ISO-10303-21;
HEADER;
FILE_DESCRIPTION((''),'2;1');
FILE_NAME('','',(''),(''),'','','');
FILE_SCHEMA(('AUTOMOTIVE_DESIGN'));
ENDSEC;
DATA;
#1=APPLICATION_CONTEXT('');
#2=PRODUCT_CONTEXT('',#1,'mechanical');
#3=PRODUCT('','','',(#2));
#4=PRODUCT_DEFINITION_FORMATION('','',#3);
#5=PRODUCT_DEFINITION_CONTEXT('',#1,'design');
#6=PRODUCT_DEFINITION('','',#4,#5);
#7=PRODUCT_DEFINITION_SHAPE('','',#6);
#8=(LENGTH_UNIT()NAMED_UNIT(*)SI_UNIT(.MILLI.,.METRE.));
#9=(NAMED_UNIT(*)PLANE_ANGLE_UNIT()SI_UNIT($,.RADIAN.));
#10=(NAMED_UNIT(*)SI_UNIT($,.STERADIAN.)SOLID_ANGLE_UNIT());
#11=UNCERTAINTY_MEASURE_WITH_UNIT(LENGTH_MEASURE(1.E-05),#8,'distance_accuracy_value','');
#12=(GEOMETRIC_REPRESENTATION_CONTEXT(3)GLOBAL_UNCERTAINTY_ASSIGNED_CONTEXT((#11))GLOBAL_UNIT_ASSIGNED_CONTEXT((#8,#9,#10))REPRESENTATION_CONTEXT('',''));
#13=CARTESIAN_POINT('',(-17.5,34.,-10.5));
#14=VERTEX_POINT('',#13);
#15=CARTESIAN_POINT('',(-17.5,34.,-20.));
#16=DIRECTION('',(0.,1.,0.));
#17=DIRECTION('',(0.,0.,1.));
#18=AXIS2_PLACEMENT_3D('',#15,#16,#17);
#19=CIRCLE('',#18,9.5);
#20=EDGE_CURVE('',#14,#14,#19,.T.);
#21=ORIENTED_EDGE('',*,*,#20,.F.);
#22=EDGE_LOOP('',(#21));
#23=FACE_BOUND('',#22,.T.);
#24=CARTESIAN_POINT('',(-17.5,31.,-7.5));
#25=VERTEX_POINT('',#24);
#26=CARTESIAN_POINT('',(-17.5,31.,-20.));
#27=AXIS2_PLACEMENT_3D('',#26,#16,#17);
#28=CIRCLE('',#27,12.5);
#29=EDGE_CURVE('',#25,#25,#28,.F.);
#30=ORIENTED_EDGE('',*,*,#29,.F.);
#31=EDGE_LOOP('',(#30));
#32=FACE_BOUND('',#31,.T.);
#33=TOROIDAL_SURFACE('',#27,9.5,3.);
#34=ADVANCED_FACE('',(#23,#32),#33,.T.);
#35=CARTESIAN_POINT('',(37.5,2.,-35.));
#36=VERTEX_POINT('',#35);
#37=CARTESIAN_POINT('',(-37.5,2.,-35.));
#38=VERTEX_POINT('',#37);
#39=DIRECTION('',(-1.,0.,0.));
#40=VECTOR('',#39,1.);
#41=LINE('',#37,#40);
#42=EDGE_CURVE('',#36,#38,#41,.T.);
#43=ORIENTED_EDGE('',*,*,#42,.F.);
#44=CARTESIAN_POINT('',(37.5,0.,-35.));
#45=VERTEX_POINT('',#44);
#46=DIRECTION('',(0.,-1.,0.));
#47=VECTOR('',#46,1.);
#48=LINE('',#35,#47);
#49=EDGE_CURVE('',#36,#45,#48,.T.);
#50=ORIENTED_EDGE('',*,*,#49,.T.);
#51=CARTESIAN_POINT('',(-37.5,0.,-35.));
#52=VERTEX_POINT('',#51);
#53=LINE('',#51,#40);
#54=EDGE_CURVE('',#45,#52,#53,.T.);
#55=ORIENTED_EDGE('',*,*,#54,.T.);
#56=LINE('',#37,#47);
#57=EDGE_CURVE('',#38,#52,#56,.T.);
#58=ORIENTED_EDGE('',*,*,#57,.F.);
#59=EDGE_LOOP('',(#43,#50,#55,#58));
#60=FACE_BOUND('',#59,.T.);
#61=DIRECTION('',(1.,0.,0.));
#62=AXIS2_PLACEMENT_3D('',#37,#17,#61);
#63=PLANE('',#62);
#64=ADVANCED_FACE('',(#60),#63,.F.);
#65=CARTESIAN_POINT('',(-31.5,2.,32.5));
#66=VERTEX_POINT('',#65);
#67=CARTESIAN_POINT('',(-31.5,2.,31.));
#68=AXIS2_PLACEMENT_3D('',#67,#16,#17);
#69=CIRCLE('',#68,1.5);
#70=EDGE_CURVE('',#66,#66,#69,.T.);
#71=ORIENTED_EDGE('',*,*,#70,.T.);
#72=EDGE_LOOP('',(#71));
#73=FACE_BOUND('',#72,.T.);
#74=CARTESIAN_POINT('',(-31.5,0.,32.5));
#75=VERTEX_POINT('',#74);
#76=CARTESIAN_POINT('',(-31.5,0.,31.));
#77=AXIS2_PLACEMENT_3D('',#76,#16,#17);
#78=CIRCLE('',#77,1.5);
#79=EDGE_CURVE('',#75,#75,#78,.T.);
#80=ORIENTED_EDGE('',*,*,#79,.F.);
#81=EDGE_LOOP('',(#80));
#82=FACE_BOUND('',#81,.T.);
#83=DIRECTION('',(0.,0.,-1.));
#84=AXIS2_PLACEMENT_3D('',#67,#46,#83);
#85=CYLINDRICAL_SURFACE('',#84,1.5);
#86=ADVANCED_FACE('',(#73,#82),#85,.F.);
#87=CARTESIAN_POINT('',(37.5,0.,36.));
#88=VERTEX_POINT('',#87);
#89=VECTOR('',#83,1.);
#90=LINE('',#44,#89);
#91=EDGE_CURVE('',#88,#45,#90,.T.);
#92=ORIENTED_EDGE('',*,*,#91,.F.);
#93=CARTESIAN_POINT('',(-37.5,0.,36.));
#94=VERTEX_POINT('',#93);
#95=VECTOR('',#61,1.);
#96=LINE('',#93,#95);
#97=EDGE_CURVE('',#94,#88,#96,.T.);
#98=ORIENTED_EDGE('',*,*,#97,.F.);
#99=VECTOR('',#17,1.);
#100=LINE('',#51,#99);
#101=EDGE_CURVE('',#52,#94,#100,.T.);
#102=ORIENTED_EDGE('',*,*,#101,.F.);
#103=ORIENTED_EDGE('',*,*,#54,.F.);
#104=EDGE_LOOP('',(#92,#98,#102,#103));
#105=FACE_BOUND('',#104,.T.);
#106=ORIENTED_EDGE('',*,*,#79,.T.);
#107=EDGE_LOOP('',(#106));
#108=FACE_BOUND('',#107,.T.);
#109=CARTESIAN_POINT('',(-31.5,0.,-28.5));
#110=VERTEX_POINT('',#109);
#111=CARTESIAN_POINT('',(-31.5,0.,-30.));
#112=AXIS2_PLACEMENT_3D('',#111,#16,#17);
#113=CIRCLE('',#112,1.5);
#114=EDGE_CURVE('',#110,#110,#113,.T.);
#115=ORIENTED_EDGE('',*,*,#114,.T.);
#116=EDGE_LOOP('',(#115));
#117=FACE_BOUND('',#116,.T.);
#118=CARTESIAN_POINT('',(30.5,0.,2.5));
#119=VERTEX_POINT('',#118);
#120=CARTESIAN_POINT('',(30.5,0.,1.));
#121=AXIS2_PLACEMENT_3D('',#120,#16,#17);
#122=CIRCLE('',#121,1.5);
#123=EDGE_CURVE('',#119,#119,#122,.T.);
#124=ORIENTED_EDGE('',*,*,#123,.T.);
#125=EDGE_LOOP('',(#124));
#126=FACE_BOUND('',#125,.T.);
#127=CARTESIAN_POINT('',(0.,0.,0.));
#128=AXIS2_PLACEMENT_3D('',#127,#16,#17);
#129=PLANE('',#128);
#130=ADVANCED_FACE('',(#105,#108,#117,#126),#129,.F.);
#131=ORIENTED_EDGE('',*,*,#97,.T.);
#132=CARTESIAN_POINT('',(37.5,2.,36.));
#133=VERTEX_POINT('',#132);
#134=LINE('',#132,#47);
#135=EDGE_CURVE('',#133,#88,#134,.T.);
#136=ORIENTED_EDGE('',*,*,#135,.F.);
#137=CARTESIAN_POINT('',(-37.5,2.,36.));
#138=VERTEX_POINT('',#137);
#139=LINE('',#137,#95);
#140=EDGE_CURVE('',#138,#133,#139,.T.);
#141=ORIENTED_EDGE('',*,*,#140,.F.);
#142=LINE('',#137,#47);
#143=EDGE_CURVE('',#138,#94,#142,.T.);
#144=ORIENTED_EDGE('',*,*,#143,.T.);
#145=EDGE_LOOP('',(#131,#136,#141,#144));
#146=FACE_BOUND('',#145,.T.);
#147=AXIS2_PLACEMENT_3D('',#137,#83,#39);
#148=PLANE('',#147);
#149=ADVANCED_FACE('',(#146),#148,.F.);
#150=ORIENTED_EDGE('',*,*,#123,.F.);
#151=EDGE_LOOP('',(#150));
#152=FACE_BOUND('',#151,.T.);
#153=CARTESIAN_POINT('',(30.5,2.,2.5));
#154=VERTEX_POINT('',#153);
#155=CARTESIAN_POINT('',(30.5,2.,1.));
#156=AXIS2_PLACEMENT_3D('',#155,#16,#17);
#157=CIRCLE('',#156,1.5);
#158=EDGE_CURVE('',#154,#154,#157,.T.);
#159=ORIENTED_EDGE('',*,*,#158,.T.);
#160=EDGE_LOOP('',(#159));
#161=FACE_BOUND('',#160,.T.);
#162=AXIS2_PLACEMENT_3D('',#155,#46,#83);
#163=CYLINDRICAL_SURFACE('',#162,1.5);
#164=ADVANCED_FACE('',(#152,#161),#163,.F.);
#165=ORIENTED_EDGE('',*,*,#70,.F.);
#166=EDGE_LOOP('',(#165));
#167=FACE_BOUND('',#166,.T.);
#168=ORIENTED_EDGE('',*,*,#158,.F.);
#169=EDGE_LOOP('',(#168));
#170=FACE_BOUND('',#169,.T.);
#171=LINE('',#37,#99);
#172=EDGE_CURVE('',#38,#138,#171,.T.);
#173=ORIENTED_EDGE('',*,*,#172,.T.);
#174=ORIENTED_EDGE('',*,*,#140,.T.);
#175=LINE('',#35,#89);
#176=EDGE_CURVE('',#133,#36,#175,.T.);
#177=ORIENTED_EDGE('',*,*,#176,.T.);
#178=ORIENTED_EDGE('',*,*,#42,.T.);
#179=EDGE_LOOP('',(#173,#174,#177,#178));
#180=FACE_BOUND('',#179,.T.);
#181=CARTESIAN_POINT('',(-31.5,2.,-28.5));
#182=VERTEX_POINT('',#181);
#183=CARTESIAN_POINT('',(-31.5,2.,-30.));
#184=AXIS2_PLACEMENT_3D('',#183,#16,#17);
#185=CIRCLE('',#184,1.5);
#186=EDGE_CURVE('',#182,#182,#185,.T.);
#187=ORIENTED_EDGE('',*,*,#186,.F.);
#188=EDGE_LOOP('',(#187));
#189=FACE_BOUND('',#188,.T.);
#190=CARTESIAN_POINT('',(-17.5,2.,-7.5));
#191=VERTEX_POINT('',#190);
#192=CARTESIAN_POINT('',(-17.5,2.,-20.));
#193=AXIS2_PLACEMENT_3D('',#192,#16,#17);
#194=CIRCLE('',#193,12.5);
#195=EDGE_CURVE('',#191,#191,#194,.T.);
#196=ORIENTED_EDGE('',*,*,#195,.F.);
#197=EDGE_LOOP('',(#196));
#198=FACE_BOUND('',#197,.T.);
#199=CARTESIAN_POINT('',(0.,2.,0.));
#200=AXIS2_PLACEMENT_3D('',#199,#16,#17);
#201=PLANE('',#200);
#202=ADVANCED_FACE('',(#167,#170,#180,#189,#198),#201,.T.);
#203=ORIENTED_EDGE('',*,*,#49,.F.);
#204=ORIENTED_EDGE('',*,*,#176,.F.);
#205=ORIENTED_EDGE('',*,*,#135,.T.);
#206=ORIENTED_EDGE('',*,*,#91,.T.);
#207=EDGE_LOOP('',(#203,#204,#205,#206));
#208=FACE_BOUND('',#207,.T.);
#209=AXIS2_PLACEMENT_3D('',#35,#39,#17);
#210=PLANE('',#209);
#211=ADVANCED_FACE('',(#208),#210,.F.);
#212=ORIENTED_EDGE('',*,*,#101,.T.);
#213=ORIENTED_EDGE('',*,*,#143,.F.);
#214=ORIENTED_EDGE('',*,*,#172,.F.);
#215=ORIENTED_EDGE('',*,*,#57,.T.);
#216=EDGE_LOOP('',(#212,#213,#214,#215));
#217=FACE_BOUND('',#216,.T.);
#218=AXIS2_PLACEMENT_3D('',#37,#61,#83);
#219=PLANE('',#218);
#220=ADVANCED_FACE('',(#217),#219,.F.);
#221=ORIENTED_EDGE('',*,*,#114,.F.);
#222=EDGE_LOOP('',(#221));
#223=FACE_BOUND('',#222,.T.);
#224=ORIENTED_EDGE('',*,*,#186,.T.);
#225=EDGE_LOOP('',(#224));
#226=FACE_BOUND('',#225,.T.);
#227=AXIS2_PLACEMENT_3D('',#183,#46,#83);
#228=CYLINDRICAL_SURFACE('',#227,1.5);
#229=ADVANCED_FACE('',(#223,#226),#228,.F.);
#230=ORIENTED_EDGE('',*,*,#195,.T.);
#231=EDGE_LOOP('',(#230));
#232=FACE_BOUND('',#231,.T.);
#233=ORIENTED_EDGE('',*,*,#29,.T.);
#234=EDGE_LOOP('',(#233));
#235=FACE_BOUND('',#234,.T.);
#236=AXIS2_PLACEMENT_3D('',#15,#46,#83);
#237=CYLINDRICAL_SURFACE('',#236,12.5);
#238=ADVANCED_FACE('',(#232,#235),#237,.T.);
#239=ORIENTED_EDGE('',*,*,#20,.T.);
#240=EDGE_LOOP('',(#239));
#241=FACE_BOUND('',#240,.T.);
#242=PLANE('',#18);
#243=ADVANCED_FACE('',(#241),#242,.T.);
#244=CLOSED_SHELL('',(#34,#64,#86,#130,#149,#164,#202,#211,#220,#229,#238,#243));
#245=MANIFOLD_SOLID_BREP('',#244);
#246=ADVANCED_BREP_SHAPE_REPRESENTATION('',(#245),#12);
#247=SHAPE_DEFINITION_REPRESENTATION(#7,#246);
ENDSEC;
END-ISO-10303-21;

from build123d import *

# Parameters (mm, degrees)
ESQUISSE1_W        = 75
ESQUISSE1_H        = 71
ESQUISSE1_R        = 1.5
BOSS_EXTRU_1_DEPTH = 2
ESQUISSE3_R        = 12.5
BOSS_EXTRU_2_DEPTH = 32
CONG_1_R           = 3


with BuildPart() as part:
    # Esquisse1 → Boss.-Extru.1 (new body)
    with BuildSketch(Plane(origin=(0, 0, 0), x_dir=(1, 0, 0), z_dir=(0, 1, 0))):
        with Locations((0, -0.5)):
            Rectangle(ESQUISSE1_W, ESQUISSE1_H)
        with Locations((-31.5, 30)):
            Circle(ESQUISSE1_R, mode=Mode.SUBTRACT)
        with Locations((-31.5, -31)):
            Circle(ESQUISSE1_R, mode=Mode.SUBTRACT)
        with Locations((30.5, -1)):
            Circle(ESQUISSE1_R, mode=Mode.SUBTRACT)
    extrude(amount=BOSS_EXTRU_1_DEPTH)

    # Esquisse3 → Boss.-Extru.2 (add)
    with BuildSketch(Plane(origin=(0, 2, 0), x_dir=(1, 0, 0), z_dir=(0, 1, 0))):
        with Locations((-17.5, 20)):
            Circle(ESQUISSE3_R)
    extrude(amount=BOSS_EXTRU_2_DEPTH)

    # Congé1
    cong_1_edges = [part.edges().sort_by_distance(p)[0] for p in [
        (-30, 34, -20),
    ]]
    fillet(cong_1_edges, radius=CONG_1_R)


solid = part.part
